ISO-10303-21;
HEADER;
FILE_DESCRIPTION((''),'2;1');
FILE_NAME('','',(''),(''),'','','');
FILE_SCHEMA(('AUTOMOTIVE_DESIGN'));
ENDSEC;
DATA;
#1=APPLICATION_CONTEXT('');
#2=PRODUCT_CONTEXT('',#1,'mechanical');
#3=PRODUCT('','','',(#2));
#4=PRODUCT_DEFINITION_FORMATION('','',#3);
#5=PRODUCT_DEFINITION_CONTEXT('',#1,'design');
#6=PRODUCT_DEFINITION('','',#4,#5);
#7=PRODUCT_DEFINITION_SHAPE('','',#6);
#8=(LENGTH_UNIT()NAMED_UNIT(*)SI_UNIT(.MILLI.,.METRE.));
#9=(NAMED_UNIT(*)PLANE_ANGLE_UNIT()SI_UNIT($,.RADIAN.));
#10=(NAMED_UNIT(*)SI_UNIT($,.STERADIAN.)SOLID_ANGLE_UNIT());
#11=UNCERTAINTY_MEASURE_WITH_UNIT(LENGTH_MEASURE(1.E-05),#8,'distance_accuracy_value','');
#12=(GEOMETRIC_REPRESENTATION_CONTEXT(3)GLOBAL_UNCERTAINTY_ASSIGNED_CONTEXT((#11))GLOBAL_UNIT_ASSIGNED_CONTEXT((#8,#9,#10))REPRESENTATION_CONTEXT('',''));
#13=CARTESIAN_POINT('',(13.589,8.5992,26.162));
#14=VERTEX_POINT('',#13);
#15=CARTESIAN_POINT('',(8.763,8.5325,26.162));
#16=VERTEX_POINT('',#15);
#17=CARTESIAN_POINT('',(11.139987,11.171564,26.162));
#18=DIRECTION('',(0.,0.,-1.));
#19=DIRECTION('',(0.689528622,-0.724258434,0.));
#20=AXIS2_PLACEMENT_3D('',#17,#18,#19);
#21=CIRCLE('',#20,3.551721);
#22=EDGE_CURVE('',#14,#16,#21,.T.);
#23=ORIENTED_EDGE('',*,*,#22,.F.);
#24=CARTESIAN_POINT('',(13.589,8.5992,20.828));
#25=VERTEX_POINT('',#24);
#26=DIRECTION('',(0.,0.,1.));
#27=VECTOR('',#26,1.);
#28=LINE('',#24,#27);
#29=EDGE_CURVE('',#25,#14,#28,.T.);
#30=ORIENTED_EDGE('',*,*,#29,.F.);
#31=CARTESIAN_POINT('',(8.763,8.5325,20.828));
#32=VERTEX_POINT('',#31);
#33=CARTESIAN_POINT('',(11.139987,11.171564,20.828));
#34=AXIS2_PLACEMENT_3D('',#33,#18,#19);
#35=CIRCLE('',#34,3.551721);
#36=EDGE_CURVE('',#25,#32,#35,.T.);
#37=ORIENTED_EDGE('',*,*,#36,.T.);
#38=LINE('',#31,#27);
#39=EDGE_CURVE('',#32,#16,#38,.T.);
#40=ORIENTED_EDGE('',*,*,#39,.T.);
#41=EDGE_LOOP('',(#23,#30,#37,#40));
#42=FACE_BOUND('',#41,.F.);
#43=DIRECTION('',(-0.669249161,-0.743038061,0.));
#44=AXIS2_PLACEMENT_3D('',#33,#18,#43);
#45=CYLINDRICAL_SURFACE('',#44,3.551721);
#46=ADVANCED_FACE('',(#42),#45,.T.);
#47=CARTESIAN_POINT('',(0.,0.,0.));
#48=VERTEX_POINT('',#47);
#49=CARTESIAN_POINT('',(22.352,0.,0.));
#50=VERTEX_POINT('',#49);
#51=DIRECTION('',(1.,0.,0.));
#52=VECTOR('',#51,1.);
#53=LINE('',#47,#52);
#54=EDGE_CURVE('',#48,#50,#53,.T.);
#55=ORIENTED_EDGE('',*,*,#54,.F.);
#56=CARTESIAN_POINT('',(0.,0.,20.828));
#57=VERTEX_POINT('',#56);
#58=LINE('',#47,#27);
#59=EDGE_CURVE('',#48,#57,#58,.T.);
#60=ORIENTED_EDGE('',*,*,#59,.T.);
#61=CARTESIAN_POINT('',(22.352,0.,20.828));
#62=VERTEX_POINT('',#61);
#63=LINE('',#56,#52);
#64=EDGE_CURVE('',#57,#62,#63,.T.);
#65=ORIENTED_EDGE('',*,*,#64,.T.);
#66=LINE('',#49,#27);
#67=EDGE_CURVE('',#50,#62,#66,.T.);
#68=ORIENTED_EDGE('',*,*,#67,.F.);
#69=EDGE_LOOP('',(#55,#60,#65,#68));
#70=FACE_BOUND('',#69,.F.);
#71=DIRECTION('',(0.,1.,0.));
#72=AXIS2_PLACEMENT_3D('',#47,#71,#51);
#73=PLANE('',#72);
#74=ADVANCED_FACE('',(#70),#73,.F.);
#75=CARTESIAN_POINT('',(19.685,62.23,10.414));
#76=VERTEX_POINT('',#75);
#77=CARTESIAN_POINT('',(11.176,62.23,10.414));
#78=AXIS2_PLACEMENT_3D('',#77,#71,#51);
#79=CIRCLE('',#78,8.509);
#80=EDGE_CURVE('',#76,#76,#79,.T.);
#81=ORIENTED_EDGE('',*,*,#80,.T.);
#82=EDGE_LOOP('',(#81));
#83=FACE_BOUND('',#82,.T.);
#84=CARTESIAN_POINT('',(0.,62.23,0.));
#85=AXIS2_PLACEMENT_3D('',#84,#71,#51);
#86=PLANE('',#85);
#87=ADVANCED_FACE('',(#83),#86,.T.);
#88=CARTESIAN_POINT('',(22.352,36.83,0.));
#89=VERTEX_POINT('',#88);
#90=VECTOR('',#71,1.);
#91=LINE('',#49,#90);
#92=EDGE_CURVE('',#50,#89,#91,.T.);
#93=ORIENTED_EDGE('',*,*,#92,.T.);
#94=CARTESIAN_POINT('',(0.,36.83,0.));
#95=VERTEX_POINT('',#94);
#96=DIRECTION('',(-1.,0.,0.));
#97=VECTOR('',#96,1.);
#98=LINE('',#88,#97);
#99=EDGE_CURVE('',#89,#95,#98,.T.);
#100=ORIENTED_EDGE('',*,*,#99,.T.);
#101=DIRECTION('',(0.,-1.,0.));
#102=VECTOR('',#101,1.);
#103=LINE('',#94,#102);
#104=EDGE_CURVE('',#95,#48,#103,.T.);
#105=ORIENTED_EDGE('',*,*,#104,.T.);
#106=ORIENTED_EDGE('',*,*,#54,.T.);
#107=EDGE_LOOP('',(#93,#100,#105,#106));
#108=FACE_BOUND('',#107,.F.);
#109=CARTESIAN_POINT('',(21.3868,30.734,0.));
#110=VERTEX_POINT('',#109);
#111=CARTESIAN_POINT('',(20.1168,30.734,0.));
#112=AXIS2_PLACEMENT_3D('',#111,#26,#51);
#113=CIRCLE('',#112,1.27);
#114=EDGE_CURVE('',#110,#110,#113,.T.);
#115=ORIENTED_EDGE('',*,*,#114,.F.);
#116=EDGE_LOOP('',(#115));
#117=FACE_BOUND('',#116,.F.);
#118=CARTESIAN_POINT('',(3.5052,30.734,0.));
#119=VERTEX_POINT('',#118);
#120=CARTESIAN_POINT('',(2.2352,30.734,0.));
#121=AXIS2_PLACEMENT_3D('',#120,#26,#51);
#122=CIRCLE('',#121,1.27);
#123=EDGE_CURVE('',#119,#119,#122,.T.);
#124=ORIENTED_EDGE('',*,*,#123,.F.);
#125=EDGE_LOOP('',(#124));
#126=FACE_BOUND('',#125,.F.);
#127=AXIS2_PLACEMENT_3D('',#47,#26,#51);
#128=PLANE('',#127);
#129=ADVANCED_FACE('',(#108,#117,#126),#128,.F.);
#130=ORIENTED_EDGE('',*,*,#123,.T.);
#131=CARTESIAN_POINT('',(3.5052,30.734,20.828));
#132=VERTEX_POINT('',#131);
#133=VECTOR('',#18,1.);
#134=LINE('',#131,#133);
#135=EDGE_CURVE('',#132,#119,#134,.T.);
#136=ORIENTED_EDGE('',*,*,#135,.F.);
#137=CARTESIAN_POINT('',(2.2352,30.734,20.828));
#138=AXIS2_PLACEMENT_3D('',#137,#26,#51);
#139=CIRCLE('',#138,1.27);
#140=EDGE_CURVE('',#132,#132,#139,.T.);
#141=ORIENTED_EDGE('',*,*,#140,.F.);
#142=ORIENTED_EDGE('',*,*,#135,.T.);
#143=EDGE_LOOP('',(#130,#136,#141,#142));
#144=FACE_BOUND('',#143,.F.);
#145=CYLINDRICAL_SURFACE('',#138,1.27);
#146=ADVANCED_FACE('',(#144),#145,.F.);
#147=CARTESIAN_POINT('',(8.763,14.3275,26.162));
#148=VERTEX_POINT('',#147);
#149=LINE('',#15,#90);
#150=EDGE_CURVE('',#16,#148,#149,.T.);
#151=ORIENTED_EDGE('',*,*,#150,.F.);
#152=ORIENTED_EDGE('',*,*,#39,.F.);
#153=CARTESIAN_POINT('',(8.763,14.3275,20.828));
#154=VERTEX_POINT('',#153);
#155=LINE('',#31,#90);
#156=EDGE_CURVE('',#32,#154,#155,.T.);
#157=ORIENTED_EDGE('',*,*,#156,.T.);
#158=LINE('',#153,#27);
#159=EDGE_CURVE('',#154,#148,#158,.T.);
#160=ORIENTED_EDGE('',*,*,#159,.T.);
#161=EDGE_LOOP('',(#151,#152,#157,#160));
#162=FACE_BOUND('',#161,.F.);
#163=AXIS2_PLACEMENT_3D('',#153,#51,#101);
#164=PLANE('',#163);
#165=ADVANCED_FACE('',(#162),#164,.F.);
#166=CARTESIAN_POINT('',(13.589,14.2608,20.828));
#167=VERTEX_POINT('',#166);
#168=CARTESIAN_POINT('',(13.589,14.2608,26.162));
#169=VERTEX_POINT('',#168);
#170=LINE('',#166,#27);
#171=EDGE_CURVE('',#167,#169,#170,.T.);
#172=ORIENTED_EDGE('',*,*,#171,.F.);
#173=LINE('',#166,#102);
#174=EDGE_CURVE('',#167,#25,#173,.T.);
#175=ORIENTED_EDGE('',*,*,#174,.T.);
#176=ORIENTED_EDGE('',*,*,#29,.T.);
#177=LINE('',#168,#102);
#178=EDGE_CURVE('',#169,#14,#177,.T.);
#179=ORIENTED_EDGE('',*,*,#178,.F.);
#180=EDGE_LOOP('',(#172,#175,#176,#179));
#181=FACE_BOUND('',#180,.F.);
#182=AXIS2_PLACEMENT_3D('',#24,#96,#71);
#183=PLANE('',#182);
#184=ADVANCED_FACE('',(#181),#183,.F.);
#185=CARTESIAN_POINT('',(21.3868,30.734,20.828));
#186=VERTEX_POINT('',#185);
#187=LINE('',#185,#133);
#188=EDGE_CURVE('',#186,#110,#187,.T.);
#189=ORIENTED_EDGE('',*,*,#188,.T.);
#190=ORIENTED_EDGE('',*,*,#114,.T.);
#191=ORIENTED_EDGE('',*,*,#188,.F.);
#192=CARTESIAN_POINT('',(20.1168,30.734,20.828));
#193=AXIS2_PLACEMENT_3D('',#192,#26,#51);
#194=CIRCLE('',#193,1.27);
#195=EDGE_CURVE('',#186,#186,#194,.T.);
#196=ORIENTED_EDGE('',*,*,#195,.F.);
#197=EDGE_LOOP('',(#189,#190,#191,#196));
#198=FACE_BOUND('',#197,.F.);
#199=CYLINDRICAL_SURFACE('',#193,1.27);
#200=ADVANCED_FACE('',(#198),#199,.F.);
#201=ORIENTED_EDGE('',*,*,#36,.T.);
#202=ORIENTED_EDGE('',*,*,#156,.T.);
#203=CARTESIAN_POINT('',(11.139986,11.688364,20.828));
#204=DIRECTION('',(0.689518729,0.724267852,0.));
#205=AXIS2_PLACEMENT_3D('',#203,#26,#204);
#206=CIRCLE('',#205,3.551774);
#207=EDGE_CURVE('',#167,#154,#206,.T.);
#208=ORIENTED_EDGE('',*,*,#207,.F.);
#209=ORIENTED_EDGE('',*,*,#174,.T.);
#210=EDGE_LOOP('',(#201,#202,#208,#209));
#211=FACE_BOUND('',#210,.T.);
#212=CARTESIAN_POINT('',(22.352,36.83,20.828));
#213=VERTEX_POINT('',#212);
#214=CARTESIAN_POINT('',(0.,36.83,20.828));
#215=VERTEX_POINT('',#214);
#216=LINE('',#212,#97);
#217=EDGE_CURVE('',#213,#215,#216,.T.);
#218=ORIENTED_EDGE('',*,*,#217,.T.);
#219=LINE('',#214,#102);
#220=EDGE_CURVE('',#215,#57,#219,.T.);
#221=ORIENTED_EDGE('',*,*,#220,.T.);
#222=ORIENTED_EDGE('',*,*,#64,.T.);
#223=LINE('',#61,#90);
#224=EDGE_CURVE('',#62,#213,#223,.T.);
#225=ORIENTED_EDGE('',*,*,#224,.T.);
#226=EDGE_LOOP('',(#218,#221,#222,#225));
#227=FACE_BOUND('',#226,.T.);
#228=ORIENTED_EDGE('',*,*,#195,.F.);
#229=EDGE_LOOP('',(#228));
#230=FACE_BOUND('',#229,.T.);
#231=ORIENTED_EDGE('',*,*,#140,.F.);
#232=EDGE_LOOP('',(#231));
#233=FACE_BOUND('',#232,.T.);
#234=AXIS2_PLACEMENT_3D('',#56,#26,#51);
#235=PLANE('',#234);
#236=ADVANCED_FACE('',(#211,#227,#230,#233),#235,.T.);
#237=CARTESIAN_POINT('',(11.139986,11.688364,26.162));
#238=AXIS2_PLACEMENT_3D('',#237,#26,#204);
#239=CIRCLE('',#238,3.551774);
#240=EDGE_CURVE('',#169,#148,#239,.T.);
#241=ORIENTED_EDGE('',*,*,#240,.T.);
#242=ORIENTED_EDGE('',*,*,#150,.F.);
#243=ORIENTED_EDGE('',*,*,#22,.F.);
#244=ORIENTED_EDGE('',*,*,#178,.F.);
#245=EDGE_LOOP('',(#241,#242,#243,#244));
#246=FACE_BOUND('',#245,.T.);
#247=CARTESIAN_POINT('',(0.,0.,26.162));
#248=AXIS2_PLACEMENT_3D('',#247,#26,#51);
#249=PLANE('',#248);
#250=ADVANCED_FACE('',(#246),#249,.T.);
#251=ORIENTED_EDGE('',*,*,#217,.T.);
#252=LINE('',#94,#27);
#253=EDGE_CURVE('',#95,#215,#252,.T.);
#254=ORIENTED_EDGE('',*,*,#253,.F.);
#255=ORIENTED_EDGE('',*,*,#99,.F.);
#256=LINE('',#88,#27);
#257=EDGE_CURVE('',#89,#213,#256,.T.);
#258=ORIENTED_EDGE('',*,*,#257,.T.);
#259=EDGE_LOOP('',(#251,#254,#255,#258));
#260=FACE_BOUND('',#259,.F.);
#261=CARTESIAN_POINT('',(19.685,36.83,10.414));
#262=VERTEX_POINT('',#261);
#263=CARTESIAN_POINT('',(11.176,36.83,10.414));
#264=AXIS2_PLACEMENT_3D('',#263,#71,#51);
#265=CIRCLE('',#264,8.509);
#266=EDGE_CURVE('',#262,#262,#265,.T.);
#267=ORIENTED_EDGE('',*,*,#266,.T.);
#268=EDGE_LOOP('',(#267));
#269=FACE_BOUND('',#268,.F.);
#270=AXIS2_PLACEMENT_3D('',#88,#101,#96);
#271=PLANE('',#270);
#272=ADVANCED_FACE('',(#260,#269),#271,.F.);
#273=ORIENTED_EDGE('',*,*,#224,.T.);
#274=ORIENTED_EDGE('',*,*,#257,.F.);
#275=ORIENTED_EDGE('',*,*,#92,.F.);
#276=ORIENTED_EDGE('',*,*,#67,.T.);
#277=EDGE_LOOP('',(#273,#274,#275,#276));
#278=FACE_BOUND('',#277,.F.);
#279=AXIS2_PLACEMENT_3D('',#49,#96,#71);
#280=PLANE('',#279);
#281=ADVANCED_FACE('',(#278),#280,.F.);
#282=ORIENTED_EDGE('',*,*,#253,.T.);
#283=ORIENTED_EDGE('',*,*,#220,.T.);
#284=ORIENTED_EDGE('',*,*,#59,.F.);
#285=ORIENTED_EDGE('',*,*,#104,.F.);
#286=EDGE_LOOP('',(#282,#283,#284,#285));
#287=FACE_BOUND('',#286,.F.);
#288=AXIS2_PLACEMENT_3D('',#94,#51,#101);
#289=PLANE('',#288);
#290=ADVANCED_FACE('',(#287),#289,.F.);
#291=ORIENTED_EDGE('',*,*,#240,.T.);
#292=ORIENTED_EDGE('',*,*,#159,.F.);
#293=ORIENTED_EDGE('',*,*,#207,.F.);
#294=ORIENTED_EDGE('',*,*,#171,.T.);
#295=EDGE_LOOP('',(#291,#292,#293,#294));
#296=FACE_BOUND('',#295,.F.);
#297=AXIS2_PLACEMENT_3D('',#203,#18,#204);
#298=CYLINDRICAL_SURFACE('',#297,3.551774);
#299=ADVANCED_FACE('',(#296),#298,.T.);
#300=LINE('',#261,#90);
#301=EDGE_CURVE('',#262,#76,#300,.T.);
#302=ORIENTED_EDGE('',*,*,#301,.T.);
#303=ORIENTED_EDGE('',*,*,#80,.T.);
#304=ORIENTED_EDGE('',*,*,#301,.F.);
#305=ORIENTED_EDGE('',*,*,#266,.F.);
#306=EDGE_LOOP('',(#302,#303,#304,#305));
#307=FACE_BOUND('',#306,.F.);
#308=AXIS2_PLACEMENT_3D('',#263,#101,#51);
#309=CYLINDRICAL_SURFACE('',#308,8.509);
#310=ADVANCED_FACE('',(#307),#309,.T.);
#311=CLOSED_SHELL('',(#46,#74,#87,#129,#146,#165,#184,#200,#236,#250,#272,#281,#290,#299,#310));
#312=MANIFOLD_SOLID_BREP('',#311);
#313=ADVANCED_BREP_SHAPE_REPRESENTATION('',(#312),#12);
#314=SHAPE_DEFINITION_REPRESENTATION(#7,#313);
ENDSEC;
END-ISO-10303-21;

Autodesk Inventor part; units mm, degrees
ref_plane "YZ Plane" through (0, 0, 0) normal (1, 0, 0) x (0, 1, 0)
ref_plane "XZ Plane" through (0, 0, 0) normal (0, 1, 0) x (-1, 0, 0)
ref_plane "XY Plane" through (0, 0, 0) normal (0, 0, 1) x (1, 0, 0)
sketch "Sketch1" plane through (0, 0, 0) normal (0, 0, 1) x (1, 0, 0)
  line L0 (0, 0) -> (22.352, 0)
  line L1 (22.352, 0) -> (22.352, 36.83)
  line L2 (22.352, 36.83) -> (0, 36.83)
  line L3 (0, 36.83) -> (0, 0)
  dimension "d0" = 22.352
  dimension "d1" = 36.83
extrude "Extrusion1" add sketch "Sketch1" along normal blind 20.828
sketch "Sketch2" plane through (0, 36.83, 0) normal (0, 1, 0) x (1, 0, 0)
  circle A0 centre (11.176, -10.414) radius 8.509
  point P0 (0, 0)
  dimension "d4" = 17.018
extrude "Extrusion2" add sketch "Sketch2" along normal blind 25.4
sketch "Sketch3" plane through (0, 0, 0) normal (0, 0, -1) x (-1, 0, 0)
  point P0 (0, 0)
sketch "Sketch4" plane through (0, 0, 20.828) normal (0, 0, 1) x (1, 0, 0)
  line L0 (22.352, 36.83) -> (0, 36.83) projected
  line L1 (0, 36.83) -> (0, 0) projected
  circle A0 centre (2.2352, 30.734) radius 1.27
  line L2 (22.352, 0) -> (22.352, 36.83) projected
  circle A1 centre (20.1168, 30.734) radius 1.27
  dimension "d9" = 2.54
  dimension "d12" = 2.54
extrude "Extrusion3" cut sketch "Sketch4" against normal blind 25.4
sketch "Sketch5" plane through (0, 0, 0) normal (0, 0, -1) x (-1, 0, 0)
  point P0 (0, 0)
sketch "Sketch6" plane through (0, 0, 20.828) normal (0, 0, 1) x (1, 0, 0)
  line L0 (0, 0) -> (22.352, 0) projected
  line L1 (11.176, 0) -> (11.176, 7.62)
  line L2 (22.352, 0) -> (22.352, 11.43)
  line L3 (22.352, 11.43) -> (13.589, 11.43)
  line L4 (0, 11.43) -> (8.763, 11.43)
  line L5 (13.589, 8.5992) -> (13.589, 14.2608)
  line L6 (8.763, 14.3275) -> (8.763, 8.5325)
  line L7 (8.763, 7.6515) -> (13.589, 15.2085) construction
  line L8 (13.589, 7.6515) -> (8.763, 15.2085) construction
  arc A0 (8.763, 8.5325) -> (13.589, 8.5992) centre (11.14, 11.1716) ccw
  arc A1 (13.589, 14.2608) -> (8.763, 14.3275) centre (11.14, 11.6884) ccw
  point P0 (11.176, 11.43)
  dimension "d16" = 7.62
  dimension "d17" = 11.43
  dimension "d18" = 8.763
extrude "Extrusion4" add sketch "Sketch6" along normal blind 5.334 contours A0 L6 A1 L5
properties part number "msheehan_motor"
